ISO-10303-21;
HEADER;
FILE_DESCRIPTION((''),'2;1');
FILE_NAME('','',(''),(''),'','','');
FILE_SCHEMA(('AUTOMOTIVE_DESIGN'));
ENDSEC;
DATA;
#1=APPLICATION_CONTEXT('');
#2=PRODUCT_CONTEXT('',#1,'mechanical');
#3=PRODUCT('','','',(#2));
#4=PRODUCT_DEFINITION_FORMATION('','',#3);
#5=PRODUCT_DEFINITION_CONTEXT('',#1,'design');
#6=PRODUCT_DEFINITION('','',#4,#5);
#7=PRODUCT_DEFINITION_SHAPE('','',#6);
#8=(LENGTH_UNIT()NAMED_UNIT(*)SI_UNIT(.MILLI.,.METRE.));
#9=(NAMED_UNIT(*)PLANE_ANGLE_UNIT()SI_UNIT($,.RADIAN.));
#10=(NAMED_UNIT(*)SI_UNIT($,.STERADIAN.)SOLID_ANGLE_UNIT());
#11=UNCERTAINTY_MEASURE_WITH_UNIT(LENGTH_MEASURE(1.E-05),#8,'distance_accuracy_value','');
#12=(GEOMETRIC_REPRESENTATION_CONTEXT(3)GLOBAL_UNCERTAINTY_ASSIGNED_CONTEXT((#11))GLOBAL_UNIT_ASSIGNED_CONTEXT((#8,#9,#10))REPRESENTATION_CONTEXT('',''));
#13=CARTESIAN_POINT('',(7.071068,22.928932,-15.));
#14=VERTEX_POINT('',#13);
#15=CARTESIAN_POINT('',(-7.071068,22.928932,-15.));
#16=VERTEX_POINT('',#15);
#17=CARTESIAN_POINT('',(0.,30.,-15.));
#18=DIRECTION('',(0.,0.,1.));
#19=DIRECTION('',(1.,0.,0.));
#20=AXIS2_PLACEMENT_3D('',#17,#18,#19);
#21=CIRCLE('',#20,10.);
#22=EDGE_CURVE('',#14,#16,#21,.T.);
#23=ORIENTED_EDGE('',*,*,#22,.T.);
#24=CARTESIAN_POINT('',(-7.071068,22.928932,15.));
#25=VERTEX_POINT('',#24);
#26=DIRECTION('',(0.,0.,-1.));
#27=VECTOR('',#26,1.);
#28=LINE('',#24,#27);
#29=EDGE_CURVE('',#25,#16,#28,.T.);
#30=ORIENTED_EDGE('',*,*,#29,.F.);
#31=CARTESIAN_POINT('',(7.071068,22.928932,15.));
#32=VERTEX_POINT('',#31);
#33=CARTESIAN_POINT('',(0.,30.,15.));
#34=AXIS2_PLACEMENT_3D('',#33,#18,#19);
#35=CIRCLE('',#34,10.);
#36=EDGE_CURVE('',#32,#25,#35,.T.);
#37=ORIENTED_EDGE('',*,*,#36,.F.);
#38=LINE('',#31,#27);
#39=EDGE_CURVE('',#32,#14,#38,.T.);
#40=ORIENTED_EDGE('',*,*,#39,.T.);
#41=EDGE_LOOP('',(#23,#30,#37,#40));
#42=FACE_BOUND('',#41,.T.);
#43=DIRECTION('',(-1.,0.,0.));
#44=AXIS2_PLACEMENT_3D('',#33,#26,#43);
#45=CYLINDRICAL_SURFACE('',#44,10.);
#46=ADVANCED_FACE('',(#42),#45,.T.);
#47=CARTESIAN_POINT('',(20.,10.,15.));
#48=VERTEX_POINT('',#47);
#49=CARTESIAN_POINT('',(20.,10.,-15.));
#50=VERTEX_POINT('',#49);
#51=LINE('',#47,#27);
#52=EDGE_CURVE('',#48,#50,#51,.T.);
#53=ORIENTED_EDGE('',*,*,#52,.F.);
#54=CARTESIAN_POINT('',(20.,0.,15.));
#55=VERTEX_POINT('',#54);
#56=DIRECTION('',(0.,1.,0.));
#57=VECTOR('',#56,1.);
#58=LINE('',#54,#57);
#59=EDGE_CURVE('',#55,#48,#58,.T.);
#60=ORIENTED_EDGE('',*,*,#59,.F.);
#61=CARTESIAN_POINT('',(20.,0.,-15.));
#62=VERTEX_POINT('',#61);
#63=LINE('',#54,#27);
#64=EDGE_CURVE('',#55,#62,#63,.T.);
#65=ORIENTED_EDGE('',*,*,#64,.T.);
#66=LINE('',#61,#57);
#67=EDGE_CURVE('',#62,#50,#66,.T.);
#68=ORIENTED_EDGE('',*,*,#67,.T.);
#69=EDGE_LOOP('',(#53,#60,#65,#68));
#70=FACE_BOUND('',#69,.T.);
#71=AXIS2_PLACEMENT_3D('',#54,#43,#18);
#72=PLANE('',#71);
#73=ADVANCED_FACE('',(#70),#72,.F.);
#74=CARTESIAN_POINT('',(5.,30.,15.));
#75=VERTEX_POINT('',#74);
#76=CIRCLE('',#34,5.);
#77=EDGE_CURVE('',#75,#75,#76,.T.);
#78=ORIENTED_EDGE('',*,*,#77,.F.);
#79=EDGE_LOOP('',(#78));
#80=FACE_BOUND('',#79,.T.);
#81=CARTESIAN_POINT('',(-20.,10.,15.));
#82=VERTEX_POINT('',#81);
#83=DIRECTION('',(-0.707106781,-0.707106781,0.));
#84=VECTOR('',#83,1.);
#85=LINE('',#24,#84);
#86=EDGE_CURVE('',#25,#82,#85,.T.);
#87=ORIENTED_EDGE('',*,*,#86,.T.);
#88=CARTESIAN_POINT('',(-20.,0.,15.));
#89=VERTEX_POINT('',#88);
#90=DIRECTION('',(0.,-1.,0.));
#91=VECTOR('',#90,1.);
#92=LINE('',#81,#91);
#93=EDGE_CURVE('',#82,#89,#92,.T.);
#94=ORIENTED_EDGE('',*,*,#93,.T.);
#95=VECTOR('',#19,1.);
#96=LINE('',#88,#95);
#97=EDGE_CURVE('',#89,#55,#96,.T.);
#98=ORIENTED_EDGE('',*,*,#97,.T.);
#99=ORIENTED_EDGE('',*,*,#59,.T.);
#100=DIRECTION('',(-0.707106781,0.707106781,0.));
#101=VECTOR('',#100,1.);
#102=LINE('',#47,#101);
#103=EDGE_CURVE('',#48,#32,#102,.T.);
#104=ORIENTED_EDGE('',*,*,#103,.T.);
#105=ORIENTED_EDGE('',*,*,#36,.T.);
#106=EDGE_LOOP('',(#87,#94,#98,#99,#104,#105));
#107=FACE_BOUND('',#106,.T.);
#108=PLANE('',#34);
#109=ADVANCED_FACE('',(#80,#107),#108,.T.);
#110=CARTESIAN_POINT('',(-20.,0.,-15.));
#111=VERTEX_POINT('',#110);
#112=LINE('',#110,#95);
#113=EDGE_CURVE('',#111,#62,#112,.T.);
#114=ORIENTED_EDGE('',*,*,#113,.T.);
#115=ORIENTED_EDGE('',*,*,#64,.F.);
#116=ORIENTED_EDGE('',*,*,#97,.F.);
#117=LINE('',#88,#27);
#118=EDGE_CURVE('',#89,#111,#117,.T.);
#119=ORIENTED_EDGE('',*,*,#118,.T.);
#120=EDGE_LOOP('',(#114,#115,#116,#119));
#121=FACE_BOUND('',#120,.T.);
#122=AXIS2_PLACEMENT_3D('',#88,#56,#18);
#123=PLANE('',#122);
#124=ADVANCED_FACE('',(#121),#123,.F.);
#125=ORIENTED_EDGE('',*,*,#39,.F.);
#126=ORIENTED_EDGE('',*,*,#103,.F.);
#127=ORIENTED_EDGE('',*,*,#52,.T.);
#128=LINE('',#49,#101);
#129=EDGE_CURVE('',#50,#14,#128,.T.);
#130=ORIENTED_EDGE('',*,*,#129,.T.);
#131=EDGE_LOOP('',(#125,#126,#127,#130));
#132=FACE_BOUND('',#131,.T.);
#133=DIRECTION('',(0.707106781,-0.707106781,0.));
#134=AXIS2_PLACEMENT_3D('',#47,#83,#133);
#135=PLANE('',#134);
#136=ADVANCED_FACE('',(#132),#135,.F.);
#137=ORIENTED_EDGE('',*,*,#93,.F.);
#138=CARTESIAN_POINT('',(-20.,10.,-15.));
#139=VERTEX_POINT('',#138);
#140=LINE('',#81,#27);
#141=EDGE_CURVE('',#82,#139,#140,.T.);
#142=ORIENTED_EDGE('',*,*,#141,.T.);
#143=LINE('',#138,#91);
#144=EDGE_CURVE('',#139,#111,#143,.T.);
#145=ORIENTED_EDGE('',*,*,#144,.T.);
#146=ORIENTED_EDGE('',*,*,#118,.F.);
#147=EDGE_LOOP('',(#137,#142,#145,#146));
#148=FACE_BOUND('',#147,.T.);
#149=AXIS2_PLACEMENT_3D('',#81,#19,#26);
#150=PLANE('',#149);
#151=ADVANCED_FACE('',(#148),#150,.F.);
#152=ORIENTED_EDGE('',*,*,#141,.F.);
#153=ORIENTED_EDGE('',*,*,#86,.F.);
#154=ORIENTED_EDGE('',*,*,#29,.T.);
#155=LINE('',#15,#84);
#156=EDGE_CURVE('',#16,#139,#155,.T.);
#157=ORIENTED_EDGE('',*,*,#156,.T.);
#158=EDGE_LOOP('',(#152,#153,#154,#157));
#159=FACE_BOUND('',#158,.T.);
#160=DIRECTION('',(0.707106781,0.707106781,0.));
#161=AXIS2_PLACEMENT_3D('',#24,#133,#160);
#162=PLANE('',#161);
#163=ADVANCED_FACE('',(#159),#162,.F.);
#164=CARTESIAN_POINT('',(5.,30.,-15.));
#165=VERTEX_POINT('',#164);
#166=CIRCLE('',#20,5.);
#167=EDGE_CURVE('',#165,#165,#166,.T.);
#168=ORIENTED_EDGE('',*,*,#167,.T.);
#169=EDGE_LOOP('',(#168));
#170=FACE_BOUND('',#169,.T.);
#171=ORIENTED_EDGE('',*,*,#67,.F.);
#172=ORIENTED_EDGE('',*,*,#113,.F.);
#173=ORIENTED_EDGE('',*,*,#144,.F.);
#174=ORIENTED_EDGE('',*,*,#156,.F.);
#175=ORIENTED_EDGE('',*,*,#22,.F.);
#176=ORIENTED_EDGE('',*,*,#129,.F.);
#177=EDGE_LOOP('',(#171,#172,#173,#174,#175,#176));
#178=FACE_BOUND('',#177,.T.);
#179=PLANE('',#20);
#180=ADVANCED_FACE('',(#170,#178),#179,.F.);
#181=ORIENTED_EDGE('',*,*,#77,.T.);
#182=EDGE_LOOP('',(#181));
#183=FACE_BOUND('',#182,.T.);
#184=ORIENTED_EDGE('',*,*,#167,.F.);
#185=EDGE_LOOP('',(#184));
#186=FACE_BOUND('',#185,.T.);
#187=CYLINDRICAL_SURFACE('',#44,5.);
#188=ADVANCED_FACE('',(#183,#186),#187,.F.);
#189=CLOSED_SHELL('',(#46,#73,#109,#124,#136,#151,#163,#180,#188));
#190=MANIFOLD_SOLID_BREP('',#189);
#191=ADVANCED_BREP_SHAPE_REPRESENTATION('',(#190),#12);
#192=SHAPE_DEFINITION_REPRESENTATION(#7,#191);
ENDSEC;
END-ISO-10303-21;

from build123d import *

# Parameters (mm, degrees)
ESBO_O1_R                = 5
RESSALTO_EXTRUS_O1_DEPTH = 15


with BuildPart() as part:
    # Esboço1 → Ressalto-extrusão1 (new body, symmetric)
    with BuildSketch(Plane.XY):
        with BuildLine():
            Line((-20, 0), (20, 0))
            Line((20, 0), (20, 10))
            Line((20, 10), (7.071067812, 22.928932188))
            ThreePointArc((7.071067812, 22.928932188), (0, 40), (-7.071067812, 22.928932188))
            Line((-7.071067812, 22.928932188), (-20, 10))
            Line((-20, 10), (-20, 0))
        make_face()
        with Locations((0, 30)):
            Circle(ESBO_O1_R, mode=Mode.SUBTRACT)
    extrude(amount=RESSALTO_EXTRUS_O1_DEPTH, both=True)


solid = part.part
